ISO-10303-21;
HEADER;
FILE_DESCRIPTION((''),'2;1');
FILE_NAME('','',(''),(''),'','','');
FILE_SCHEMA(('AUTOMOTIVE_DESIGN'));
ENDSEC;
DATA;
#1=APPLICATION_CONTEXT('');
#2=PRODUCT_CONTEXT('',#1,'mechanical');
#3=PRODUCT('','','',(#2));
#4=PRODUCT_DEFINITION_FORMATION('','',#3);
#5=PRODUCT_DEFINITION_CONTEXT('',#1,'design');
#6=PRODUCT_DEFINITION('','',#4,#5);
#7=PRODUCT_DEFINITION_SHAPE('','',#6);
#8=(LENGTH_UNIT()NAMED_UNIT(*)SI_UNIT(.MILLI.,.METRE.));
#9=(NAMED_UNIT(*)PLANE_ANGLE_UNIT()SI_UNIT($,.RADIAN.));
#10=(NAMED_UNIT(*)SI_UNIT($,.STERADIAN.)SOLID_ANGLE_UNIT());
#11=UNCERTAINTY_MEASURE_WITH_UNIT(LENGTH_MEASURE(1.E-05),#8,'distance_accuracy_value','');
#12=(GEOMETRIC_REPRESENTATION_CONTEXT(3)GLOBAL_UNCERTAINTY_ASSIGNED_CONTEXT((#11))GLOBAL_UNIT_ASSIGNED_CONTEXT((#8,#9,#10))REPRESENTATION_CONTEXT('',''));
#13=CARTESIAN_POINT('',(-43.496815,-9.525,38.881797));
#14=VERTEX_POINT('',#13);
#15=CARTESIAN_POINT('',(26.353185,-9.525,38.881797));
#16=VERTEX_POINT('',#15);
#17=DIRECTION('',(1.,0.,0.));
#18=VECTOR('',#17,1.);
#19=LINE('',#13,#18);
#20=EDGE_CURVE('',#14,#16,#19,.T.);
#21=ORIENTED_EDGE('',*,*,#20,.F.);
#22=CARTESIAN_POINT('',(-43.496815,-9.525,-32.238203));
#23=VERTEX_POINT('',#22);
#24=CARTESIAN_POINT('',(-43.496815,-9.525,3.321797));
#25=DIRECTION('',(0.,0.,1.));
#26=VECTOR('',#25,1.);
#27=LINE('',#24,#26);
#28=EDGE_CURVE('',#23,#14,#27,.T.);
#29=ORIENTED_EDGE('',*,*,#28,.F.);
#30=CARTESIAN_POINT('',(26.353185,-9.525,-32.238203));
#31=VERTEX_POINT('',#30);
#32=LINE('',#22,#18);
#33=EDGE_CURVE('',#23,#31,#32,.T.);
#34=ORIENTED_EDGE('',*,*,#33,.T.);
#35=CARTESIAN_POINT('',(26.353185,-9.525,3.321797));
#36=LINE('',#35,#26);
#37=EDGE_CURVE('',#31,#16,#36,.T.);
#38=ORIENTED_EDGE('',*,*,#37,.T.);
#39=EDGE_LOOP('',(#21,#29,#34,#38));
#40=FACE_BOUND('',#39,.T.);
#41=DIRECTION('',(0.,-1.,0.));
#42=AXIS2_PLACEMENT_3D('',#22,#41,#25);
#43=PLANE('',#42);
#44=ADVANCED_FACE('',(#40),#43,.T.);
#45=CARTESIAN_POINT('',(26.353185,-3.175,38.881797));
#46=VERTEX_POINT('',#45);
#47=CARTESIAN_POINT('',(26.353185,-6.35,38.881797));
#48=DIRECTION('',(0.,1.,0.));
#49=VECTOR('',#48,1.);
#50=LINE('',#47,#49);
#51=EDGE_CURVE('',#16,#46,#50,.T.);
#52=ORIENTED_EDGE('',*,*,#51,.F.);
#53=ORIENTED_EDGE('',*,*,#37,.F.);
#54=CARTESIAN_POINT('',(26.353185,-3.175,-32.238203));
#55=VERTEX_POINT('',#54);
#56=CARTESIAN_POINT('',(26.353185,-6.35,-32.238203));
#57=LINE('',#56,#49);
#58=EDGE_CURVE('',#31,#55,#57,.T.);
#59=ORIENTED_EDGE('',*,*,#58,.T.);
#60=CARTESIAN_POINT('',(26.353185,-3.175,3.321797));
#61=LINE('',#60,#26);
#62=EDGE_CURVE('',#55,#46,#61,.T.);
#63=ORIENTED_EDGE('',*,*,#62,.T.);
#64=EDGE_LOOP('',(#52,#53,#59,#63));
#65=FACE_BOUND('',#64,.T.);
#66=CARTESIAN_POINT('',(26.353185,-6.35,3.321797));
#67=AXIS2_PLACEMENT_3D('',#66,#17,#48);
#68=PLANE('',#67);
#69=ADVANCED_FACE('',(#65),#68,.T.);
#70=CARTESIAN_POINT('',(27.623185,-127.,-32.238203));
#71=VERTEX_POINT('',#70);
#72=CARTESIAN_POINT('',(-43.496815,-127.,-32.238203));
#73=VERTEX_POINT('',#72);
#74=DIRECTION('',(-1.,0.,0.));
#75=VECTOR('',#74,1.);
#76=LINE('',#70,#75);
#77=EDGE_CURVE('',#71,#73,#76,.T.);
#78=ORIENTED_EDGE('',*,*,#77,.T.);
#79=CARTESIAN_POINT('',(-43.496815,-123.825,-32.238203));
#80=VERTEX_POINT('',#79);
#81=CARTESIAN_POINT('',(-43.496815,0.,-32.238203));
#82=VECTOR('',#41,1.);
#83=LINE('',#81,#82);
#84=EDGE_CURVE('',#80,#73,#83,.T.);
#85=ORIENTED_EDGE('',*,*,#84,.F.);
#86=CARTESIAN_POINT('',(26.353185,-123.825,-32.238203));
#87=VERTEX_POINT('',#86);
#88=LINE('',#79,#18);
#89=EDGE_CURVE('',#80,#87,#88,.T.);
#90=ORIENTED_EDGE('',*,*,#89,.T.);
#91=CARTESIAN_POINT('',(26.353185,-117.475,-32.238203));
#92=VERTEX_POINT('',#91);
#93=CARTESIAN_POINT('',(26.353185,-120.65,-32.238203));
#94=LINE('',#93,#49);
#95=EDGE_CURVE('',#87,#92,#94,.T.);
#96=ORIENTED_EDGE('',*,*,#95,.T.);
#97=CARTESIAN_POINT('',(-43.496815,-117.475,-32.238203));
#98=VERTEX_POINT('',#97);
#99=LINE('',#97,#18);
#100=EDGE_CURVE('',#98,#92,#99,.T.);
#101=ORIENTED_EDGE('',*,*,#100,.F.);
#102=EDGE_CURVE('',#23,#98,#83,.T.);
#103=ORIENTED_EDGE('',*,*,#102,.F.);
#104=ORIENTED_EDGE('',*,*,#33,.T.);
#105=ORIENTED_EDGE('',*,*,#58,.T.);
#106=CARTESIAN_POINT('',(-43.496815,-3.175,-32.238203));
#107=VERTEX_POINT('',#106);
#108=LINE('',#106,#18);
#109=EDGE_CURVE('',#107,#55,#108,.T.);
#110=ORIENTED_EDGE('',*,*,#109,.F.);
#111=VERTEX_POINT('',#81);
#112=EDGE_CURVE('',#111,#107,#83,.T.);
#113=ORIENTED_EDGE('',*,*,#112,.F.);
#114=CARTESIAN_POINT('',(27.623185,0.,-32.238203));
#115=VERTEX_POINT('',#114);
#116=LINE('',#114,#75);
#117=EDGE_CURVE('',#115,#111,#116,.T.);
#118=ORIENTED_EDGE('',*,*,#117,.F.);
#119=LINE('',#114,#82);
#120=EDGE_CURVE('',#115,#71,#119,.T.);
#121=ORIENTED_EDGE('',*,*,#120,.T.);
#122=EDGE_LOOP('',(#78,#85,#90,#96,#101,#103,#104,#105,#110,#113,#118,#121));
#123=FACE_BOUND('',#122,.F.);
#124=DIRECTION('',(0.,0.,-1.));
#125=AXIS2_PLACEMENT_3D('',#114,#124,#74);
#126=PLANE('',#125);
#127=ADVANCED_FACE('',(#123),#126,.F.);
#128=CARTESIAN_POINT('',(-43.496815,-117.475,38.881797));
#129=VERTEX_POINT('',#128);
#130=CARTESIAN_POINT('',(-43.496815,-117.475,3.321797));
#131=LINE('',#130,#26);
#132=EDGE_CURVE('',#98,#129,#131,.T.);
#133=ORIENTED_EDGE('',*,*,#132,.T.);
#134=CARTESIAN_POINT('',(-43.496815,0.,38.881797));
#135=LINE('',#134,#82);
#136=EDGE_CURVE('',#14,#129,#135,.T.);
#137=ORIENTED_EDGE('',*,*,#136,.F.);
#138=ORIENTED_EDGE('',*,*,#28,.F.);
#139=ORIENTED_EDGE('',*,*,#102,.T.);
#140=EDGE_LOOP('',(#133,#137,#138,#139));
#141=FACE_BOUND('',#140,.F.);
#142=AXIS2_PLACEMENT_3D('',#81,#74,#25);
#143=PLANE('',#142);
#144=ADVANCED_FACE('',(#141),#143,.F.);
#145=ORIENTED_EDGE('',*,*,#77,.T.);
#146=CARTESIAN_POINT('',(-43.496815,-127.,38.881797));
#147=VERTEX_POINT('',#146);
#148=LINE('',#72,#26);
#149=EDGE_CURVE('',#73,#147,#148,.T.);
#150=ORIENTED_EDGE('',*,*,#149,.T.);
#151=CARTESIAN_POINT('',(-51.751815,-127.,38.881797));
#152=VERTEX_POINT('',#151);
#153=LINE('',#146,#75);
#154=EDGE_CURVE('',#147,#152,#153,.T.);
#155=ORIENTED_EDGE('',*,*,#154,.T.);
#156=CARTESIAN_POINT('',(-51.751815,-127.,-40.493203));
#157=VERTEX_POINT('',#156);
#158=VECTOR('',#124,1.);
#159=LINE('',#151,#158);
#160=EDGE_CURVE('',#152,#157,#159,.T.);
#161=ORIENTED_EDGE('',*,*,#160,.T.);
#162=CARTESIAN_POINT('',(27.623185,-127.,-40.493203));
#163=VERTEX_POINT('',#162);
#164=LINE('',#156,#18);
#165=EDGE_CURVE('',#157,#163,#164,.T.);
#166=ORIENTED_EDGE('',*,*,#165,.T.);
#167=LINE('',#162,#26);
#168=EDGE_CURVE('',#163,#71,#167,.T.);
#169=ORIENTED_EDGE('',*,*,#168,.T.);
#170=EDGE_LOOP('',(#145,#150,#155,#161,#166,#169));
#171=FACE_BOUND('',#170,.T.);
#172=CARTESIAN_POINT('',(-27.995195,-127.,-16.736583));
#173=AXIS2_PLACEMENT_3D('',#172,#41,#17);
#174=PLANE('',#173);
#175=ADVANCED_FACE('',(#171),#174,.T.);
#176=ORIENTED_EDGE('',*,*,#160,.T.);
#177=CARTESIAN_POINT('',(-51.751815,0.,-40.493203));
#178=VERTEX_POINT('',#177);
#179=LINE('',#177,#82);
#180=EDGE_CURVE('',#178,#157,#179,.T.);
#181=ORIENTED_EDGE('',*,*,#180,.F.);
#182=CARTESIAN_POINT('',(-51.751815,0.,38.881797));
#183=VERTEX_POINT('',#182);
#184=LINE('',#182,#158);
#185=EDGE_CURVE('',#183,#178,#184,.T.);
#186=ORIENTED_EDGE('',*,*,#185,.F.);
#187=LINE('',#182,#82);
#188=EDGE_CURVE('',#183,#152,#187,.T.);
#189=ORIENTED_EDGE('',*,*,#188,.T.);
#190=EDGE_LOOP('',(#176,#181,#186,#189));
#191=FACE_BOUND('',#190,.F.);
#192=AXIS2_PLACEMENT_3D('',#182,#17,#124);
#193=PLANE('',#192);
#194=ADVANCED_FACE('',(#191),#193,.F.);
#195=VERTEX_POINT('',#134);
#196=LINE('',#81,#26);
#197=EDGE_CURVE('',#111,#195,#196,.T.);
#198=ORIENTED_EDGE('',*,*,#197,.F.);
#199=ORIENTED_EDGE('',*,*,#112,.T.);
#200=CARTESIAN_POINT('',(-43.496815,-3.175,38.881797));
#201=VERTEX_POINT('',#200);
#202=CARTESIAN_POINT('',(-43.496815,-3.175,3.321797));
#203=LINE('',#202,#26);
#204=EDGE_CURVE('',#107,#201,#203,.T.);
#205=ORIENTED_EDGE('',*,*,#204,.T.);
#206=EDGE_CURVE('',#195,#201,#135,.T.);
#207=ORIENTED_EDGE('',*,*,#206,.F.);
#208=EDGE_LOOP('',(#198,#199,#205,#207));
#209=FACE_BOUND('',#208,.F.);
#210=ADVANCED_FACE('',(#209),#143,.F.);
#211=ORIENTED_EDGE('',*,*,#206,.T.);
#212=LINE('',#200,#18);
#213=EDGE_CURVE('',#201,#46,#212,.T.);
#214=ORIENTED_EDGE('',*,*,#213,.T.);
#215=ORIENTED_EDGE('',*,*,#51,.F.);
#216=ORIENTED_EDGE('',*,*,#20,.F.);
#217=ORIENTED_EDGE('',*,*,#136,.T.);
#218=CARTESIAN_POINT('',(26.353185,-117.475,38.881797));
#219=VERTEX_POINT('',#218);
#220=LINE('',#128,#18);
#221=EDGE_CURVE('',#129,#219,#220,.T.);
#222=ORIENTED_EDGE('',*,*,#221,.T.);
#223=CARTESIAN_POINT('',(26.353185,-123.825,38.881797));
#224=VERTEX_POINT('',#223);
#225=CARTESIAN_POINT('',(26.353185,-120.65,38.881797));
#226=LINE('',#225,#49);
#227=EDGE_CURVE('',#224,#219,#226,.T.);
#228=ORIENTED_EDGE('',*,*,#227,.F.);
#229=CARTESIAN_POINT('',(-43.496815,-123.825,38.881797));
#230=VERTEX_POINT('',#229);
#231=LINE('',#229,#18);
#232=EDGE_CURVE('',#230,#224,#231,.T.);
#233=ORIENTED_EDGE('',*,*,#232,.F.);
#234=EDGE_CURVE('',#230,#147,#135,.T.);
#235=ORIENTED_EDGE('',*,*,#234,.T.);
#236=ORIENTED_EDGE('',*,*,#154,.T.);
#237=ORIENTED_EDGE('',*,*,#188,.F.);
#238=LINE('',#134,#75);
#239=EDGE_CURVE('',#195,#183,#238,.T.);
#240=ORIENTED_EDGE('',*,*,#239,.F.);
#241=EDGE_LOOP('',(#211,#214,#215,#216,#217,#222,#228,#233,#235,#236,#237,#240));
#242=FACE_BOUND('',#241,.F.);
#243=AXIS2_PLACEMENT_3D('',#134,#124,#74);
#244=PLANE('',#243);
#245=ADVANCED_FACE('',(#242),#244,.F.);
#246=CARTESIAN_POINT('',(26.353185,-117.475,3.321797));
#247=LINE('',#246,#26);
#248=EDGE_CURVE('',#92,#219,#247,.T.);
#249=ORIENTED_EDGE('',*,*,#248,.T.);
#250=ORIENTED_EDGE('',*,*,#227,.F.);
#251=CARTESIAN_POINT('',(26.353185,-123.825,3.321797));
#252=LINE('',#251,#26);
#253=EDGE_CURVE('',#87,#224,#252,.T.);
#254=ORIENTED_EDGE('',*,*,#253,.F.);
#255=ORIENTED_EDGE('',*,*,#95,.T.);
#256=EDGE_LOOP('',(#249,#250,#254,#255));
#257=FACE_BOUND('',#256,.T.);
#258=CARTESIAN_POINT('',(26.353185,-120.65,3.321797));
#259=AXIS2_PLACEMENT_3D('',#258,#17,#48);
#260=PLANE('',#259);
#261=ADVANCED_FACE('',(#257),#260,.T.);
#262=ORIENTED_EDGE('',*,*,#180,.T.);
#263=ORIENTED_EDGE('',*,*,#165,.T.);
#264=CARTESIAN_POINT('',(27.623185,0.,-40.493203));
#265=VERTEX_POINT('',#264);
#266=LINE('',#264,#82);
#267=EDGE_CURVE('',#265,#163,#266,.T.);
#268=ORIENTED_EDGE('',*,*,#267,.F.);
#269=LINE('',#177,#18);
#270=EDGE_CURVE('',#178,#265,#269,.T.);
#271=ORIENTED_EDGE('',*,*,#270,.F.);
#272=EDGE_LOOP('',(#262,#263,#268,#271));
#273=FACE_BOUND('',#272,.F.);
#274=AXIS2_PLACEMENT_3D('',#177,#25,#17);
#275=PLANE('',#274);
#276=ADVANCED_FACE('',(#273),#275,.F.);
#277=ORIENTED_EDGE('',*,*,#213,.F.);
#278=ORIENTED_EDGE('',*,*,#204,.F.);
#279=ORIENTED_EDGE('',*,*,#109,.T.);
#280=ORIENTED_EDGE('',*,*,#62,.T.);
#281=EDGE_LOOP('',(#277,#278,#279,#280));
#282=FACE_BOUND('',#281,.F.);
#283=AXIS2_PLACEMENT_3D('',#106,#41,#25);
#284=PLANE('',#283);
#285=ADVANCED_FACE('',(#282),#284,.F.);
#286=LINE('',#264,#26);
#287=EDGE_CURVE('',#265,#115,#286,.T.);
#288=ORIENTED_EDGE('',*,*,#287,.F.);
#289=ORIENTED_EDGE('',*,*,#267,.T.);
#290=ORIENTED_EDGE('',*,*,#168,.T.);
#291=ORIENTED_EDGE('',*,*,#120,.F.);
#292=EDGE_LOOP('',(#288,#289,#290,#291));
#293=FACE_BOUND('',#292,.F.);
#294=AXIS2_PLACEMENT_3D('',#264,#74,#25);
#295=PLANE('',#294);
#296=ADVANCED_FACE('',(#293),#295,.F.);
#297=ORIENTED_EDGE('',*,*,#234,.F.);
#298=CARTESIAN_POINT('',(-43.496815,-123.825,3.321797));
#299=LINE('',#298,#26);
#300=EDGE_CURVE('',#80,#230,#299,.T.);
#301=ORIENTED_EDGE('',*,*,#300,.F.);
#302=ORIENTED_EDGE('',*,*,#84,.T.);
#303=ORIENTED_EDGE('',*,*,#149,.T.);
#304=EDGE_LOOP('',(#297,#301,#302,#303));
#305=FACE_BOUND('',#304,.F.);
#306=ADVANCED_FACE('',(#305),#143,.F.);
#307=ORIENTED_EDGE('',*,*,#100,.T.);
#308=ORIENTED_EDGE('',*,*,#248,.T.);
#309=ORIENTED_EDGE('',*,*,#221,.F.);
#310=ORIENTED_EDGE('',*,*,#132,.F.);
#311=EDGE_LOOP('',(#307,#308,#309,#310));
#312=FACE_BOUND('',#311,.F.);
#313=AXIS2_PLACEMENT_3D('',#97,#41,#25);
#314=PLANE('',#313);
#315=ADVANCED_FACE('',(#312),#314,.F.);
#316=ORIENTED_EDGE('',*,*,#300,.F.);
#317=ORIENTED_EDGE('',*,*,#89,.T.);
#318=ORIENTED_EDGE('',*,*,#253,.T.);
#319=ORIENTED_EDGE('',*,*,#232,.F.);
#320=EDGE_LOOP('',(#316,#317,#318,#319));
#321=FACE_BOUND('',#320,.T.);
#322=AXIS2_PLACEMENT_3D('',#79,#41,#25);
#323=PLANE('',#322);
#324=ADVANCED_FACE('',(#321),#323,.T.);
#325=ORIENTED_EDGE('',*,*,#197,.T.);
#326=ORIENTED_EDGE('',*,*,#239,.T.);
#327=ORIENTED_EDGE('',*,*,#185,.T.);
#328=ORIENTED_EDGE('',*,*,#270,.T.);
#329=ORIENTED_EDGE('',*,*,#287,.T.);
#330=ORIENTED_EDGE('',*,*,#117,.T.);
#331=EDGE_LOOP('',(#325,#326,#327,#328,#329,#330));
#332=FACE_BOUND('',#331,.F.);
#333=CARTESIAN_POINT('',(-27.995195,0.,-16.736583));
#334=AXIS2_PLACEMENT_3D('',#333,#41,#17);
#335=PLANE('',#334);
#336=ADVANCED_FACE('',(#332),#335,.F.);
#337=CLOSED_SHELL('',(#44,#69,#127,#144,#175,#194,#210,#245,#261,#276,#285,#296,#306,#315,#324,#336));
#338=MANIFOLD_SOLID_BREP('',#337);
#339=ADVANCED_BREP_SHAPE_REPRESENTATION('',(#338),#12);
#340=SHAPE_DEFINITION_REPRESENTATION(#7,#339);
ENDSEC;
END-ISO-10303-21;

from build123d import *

# Parameters (mm, degrees)
F1_DEPTH = 127
F2_W     = 6.35
F2_H     = 71.12
F3_DEPTH = 69.85


with BuildPart() as f1:
    # F0 (on Front) → F1 (new body)
    with BuildSketch(Plane.XZ):
        Polygon((-43.496815, 38.881797), (-51.751815, 38.881797), (-51.751815, -40.493203), (27.623185, -40.493203), (27.623185, -32.238203), (-43.496815, -32.238203), align=None)
    extrude(amount=F1_DEPTH)

    # F2 (on face) → F3 (join)
    with BuildSketch(Plane.YZ.offset(-43.496815)):
        with Locations((-120.65, 3.321797)):
            Rectangle(F2_W, F2_H)
        with Locations((-6.35, 3.321797)):
            Rectangle(F2_W, F2_H)
    extrude(amount=F3_DEPTH)


solid = f1.part
